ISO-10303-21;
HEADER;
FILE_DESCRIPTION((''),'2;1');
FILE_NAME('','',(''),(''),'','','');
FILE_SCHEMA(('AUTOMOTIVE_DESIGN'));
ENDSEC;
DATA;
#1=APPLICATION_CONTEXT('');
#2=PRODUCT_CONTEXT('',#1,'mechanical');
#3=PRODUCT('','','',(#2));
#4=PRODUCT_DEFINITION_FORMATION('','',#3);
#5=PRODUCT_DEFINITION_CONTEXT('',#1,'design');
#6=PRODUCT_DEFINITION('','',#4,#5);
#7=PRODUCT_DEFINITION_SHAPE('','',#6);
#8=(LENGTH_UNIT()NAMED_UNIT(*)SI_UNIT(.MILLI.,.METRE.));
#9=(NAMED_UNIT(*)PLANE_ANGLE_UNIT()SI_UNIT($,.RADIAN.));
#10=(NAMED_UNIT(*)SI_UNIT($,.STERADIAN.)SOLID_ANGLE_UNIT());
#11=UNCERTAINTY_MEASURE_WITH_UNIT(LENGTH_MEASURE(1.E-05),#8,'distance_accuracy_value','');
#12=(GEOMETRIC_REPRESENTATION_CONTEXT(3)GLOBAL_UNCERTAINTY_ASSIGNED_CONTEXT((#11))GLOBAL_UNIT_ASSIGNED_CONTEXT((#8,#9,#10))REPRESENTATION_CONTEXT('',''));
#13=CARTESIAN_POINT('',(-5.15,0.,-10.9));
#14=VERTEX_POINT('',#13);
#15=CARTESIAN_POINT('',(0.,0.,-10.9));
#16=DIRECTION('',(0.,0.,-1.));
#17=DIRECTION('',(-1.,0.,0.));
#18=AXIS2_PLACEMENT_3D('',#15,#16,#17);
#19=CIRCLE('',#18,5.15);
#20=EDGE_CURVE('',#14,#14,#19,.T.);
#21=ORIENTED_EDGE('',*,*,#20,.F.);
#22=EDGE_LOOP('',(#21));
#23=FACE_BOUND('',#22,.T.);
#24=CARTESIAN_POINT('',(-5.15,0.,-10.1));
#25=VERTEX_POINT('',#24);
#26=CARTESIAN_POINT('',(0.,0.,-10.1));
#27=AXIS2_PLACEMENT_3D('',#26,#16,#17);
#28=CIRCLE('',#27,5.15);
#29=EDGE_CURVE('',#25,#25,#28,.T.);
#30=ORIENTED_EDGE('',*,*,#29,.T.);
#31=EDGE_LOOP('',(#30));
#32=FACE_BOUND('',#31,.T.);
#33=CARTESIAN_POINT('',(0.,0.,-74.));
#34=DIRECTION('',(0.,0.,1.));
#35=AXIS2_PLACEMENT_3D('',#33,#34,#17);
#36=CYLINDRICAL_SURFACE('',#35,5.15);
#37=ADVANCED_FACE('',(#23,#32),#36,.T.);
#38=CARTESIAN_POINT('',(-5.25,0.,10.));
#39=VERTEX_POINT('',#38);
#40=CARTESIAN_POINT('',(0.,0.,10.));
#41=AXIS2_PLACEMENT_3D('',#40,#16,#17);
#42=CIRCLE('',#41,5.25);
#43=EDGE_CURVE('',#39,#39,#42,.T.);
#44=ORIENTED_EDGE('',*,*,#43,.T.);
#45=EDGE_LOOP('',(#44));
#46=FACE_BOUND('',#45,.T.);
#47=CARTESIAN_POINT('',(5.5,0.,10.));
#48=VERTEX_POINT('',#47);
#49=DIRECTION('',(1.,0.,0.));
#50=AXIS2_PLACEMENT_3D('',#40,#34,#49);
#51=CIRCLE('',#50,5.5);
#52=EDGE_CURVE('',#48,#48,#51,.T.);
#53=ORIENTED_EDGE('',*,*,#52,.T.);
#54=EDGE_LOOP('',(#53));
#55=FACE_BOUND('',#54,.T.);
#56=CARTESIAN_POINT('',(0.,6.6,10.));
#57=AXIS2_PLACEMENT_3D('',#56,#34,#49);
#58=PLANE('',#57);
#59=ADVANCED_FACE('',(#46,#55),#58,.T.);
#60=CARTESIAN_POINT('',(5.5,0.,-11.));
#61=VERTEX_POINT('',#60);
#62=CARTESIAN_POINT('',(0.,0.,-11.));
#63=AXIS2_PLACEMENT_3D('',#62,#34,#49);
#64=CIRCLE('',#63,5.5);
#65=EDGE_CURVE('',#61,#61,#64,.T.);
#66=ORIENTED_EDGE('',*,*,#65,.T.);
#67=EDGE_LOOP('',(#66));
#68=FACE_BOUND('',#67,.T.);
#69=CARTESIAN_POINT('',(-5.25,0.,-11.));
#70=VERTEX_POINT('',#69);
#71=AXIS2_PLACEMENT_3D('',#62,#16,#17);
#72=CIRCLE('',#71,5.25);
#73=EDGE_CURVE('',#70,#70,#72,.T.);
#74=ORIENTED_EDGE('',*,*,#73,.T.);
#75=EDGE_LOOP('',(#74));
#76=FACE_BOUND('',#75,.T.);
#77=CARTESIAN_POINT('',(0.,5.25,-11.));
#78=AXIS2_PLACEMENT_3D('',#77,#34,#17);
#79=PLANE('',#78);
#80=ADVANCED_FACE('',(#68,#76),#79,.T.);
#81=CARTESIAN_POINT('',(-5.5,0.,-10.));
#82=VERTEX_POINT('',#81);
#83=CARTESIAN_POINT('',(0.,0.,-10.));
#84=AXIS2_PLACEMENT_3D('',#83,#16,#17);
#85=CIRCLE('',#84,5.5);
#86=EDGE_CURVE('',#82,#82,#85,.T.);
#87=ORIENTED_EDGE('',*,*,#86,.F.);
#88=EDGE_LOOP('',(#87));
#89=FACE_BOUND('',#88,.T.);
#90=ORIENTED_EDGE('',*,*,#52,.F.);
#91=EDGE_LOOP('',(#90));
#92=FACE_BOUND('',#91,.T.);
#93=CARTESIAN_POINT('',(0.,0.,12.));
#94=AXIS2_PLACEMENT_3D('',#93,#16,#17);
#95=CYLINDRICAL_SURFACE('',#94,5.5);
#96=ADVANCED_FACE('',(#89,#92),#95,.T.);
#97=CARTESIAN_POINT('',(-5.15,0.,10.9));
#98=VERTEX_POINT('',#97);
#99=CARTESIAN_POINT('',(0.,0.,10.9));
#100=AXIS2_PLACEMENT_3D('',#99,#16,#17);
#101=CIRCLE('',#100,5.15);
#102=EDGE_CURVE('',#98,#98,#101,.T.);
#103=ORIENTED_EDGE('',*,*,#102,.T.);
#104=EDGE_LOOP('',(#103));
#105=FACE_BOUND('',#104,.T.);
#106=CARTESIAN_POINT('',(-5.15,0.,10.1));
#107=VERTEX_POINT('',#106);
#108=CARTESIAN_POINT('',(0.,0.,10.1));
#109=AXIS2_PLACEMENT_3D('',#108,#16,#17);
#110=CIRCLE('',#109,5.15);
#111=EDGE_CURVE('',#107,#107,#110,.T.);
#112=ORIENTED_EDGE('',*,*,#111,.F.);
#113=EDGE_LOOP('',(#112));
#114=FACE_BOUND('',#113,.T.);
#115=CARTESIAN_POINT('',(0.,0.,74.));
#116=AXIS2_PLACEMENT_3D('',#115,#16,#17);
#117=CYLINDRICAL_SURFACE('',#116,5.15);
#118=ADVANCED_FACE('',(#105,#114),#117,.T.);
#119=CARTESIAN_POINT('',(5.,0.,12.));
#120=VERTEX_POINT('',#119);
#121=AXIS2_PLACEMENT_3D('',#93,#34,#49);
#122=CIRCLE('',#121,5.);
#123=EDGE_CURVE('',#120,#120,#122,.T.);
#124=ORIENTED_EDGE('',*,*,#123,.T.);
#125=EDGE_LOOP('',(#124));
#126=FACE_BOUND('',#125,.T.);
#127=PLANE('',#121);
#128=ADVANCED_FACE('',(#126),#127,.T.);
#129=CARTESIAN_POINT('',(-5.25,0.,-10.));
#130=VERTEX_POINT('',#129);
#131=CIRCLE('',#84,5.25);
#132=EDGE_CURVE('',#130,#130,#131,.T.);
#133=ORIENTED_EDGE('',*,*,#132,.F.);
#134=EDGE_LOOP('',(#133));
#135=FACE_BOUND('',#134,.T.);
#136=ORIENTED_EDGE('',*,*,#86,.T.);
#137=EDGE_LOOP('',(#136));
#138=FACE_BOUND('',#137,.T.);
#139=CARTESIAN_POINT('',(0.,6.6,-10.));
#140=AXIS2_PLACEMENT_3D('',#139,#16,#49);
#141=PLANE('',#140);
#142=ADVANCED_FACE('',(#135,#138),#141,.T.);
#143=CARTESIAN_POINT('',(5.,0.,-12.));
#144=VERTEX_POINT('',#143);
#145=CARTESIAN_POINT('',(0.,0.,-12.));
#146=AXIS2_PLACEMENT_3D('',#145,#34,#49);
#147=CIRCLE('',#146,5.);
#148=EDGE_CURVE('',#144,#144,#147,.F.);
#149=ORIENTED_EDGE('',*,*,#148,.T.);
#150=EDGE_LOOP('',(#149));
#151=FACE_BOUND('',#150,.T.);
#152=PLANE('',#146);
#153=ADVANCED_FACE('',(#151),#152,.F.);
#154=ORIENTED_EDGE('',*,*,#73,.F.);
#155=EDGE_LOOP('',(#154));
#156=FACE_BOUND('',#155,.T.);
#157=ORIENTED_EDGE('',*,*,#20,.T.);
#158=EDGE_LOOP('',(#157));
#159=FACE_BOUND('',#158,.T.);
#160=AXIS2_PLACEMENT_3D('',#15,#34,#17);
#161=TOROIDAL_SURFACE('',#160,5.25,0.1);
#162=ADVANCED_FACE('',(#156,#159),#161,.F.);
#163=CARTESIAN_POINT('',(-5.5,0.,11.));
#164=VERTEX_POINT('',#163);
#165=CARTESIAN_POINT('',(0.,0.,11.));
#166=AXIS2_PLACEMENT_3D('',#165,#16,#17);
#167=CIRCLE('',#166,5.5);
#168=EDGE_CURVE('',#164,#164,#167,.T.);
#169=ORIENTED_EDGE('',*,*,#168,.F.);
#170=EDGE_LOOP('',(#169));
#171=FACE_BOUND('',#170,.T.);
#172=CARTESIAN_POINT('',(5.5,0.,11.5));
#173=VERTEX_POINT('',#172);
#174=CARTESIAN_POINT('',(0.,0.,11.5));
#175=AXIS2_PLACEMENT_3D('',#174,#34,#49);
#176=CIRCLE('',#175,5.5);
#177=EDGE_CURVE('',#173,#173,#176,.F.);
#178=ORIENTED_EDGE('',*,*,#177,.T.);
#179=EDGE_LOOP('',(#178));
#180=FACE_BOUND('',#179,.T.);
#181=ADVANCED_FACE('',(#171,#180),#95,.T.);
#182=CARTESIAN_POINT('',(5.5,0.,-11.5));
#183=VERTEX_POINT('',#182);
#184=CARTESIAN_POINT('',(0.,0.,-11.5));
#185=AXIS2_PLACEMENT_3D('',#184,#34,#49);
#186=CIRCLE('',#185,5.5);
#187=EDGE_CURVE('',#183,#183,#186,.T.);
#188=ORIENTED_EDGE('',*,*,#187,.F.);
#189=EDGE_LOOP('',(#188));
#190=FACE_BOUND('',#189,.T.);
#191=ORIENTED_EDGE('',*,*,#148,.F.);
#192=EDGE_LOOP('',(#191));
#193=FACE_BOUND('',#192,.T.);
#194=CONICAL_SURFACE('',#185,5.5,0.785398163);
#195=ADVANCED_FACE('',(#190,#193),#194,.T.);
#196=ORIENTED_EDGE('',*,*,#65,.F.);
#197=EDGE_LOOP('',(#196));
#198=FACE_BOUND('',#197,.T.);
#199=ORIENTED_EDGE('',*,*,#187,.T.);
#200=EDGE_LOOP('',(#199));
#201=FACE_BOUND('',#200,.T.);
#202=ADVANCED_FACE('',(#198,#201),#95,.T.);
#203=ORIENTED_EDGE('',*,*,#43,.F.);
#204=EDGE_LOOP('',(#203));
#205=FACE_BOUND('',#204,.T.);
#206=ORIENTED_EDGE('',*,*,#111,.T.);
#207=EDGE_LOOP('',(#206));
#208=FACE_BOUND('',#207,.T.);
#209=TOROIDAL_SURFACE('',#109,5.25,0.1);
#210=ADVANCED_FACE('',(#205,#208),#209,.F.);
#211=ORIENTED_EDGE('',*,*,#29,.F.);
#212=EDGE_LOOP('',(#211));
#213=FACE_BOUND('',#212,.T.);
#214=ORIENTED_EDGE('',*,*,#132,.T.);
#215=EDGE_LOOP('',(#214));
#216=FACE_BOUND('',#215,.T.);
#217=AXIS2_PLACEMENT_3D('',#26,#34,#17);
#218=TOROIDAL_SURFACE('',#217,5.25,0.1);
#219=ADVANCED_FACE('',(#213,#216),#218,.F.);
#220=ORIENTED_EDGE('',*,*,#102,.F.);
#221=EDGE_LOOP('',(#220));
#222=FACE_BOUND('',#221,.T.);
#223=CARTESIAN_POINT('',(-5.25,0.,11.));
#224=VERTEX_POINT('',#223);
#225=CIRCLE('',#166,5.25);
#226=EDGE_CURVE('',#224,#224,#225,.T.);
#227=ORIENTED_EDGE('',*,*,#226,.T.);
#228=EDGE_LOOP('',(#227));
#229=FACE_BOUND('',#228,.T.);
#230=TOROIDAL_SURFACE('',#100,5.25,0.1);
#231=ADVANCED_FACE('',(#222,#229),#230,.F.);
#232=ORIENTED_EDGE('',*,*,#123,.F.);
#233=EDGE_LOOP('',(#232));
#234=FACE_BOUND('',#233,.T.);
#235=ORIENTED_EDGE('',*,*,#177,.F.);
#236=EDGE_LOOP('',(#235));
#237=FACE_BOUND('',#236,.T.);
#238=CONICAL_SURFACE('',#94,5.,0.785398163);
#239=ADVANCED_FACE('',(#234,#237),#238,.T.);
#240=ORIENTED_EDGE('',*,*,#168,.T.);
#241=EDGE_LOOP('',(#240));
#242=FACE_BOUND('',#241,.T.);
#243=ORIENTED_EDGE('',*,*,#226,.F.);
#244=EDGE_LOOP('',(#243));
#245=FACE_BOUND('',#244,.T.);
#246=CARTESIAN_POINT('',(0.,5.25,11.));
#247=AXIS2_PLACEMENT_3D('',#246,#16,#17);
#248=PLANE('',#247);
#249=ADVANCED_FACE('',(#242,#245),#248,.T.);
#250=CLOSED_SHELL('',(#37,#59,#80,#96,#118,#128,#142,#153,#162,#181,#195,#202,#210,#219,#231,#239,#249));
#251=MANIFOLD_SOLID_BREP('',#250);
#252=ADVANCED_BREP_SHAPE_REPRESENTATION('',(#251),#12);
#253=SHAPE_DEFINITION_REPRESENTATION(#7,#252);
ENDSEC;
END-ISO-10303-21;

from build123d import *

# Parameters (mm, degrees)
ESQUISSE1_R      = 5.5
EXTRUSION1_DEPTH = 12
CHANFREIN1_SIZE  = 0.5
CHANFREIN2_SIZE  = 0.5


with BuildPart() as part:
    # Esquisse1 → Extrusion1 (new, symmetric)
    with BuildSketch(Plane.XY):
        Circle(ESQUISSE1_R)
    extrude(amount=EXTRUSION1_DEPTH, both=True)

    # Chanfrein1
    chanfrein1_edges = [part.edges().sort_by_distance(p)[0] for p in [
        (-5.5, 0, 12),
    ]]
    chamfer(chanfrein1_edges, length=CHANFREIN1_SIZE)

    # Chanfrein2
    chanfrein2_edges = [part.edges().sort_by_distance(p)[0] for p in [
        (-5.5, 0, -12),
    ]]
    chamfer(chanfrein2_edges, length=CHANFREIN2_SIZE)

    # Esquisse3 → Gorge pour ANSI B27.8M - 3DM1-11, Circlip haut rendement1 (revolve, cut)
    with BuildSketch(Plane(origin=(0, 0, 24), x_dir=(0, 1, 0), z_dir=(-1, 0, 0)), mode=Mode.PRIVATE) as gorge_pour_ansi_b27_8m_3dm1_11_circli_sk:
        with BuildLine():
            Line((5.25, 13), (6.6, 13))
            Line((6.6, 13), (6.6, 14))
            Line((6.6, 14), (5.25, 14))
            ThreePointArc((5.25, 14), (5.179289322, 13.970710678), (5.15, 13.9))
            Line((5.15, 13.9), (5.15, 13.1))
            ThreePointArc((5.15, 13.1), (5.179289322, 13.029289322), (5.25, 13))
        make_face()
    gorge_pour_ansi_b27_8m_3dm1_11_circli = revolve(gorge_pour_ansi_b27_8m_3dm1_11_circli_sk.sketch.rotate(Axis((0, 0, 74), (0, 0, -1)), 270), axis=Axis((0, 0, 74), (0, 0, -1)), mode=Mode.SUBTRACT)

    # Symétrie1: Gorge pour ANSI B27.8M - 3DM1-11, Circlip haut rendement1 across plane
    add(gorge_pour_ansi_b27_8m_3dm1_11_circli.mirror(Plane.XY), mode=Mode.SUBTRACT)


solid = part.part
